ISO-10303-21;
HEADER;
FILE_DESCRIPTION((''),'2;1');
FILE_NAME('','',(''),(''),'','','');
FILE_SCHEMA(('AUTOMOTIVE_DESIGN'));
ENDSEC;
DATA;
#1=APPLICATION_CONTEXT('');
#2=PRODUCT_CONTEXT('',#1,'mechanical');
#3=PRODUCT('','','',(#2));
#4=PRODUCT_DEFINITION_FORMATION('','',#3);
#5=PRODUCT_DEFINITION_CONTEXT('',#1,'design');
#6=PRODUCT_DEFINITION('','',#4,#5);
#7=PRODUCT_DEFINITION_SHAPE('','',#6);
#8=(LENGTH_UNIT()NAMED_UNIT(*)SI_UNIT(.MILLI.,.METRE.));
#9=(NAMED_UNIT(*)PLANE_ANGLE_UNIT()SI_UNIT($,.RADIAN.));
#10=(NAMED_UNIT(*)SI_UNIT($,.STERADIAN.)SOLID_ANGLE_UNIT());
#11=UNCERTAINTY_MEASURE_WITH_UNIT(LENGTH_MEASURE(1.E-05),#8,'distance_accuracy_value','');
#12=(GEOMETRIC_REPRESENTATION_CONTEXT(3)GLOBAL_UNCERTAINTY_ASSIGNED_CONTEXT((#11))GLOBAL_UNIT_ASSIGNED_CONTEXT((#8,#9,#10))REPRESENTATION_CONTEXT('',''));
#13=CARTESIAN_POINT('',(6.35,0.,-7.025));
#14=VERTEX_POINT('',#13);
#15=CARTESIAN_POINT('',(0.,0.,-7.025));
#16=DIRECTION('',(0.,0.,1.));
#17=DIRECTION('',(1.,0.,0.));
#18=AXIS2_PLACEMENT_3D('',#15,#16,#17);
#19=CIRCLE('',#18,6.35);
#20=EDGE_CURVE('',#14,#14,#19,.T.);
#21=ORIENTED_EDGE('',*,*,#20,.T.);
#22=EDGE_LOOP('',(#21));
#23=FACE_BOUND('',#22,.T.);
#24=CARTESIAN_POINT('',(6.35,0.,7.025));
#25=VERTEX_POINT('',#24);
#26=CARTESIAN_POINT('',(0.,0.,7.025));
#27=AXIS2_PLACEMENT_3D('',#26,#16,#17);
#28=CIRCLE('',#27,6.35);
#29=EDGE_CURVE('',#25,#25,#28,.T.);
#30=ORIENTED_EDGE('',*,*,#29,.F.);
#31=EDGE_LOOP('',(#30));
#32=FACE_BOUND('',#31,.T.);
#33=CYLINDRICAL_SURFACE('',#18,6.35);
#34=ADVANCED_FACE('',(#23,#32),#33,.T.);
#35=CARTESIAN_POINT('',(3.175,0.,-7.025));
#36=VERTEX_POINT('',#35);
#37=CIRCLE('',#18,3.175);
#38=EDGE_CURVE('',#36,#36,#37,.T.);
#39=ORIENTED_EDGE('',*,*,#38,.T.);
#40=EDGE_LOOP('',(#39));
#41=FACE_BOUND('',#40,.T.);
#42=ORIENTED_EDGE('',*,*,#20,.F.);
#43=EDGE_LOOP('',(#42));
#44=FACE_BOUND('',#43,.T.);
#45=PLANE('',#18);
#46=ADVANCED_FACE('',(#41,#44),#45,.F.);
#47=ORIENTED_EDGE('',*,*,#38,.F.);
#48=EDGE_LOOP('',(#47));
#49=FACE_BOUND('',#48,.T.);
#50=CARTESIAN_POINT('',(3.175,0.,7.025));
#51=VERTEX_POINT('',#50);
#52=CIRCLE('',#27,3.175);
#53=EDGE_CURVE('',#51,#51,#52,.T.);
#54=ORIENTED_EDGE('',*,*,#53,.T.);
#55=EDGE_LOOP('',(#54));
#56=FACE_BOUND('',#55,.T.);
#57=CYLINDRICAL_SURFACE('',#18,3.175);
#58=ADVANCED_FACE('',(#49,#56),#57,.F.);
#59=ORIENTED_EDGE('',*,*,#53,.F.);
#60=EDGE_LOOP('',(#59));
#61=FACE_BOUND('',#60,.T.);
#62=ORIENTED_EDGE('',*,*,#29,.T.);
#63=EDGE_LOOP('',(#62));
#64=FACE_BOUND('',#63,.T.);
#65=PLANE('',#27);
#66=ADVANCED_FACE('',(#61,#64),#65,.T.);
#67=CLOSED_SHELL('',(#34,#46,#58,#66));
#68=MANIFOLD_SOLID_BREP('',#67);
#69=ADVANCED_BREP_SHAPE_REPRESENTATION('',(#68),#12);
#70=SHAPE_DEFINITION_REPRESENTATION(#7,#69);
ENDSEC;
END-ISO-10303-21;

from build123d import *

# Parameters (mm, degrees)
BOSS_EXTRUDE1_DEPTH      = 7.025
BOSS_EXTRUDE1_DEPTH_BACK = 7.025
SKETCH1_R                = 6.35
SKETCH2_R                = 3.175
CUT_EXTRUDE1_DEPTH       = 17.67475637


with BuildPart() as part:
    # Sketch1 → Boss-Extrude1 (new, two sides: drawn at the far end of the back side and taken through both)
    with BuildSketch(Plane.XY.offset(-BOSS_EXTRUDE1_DEPTH_BACK)):
        Circle(SKETCH1_R)
    extrude(amount=BOSS_EXTRUDE1_DEPTH + BOSS_EXTRUDE1_DEPTH_BACK)

    # Sketch2 → Cut-Extrude1 (cut, through all)
    with BuildSketch(Plane.XY.offset(7.025)):
        Circle(SKETCH2_R)
    extrude(amount=-CUT_EXTRUDE1_DEPTH, mode=Mode.SUBTRACT)


solid = part.part
